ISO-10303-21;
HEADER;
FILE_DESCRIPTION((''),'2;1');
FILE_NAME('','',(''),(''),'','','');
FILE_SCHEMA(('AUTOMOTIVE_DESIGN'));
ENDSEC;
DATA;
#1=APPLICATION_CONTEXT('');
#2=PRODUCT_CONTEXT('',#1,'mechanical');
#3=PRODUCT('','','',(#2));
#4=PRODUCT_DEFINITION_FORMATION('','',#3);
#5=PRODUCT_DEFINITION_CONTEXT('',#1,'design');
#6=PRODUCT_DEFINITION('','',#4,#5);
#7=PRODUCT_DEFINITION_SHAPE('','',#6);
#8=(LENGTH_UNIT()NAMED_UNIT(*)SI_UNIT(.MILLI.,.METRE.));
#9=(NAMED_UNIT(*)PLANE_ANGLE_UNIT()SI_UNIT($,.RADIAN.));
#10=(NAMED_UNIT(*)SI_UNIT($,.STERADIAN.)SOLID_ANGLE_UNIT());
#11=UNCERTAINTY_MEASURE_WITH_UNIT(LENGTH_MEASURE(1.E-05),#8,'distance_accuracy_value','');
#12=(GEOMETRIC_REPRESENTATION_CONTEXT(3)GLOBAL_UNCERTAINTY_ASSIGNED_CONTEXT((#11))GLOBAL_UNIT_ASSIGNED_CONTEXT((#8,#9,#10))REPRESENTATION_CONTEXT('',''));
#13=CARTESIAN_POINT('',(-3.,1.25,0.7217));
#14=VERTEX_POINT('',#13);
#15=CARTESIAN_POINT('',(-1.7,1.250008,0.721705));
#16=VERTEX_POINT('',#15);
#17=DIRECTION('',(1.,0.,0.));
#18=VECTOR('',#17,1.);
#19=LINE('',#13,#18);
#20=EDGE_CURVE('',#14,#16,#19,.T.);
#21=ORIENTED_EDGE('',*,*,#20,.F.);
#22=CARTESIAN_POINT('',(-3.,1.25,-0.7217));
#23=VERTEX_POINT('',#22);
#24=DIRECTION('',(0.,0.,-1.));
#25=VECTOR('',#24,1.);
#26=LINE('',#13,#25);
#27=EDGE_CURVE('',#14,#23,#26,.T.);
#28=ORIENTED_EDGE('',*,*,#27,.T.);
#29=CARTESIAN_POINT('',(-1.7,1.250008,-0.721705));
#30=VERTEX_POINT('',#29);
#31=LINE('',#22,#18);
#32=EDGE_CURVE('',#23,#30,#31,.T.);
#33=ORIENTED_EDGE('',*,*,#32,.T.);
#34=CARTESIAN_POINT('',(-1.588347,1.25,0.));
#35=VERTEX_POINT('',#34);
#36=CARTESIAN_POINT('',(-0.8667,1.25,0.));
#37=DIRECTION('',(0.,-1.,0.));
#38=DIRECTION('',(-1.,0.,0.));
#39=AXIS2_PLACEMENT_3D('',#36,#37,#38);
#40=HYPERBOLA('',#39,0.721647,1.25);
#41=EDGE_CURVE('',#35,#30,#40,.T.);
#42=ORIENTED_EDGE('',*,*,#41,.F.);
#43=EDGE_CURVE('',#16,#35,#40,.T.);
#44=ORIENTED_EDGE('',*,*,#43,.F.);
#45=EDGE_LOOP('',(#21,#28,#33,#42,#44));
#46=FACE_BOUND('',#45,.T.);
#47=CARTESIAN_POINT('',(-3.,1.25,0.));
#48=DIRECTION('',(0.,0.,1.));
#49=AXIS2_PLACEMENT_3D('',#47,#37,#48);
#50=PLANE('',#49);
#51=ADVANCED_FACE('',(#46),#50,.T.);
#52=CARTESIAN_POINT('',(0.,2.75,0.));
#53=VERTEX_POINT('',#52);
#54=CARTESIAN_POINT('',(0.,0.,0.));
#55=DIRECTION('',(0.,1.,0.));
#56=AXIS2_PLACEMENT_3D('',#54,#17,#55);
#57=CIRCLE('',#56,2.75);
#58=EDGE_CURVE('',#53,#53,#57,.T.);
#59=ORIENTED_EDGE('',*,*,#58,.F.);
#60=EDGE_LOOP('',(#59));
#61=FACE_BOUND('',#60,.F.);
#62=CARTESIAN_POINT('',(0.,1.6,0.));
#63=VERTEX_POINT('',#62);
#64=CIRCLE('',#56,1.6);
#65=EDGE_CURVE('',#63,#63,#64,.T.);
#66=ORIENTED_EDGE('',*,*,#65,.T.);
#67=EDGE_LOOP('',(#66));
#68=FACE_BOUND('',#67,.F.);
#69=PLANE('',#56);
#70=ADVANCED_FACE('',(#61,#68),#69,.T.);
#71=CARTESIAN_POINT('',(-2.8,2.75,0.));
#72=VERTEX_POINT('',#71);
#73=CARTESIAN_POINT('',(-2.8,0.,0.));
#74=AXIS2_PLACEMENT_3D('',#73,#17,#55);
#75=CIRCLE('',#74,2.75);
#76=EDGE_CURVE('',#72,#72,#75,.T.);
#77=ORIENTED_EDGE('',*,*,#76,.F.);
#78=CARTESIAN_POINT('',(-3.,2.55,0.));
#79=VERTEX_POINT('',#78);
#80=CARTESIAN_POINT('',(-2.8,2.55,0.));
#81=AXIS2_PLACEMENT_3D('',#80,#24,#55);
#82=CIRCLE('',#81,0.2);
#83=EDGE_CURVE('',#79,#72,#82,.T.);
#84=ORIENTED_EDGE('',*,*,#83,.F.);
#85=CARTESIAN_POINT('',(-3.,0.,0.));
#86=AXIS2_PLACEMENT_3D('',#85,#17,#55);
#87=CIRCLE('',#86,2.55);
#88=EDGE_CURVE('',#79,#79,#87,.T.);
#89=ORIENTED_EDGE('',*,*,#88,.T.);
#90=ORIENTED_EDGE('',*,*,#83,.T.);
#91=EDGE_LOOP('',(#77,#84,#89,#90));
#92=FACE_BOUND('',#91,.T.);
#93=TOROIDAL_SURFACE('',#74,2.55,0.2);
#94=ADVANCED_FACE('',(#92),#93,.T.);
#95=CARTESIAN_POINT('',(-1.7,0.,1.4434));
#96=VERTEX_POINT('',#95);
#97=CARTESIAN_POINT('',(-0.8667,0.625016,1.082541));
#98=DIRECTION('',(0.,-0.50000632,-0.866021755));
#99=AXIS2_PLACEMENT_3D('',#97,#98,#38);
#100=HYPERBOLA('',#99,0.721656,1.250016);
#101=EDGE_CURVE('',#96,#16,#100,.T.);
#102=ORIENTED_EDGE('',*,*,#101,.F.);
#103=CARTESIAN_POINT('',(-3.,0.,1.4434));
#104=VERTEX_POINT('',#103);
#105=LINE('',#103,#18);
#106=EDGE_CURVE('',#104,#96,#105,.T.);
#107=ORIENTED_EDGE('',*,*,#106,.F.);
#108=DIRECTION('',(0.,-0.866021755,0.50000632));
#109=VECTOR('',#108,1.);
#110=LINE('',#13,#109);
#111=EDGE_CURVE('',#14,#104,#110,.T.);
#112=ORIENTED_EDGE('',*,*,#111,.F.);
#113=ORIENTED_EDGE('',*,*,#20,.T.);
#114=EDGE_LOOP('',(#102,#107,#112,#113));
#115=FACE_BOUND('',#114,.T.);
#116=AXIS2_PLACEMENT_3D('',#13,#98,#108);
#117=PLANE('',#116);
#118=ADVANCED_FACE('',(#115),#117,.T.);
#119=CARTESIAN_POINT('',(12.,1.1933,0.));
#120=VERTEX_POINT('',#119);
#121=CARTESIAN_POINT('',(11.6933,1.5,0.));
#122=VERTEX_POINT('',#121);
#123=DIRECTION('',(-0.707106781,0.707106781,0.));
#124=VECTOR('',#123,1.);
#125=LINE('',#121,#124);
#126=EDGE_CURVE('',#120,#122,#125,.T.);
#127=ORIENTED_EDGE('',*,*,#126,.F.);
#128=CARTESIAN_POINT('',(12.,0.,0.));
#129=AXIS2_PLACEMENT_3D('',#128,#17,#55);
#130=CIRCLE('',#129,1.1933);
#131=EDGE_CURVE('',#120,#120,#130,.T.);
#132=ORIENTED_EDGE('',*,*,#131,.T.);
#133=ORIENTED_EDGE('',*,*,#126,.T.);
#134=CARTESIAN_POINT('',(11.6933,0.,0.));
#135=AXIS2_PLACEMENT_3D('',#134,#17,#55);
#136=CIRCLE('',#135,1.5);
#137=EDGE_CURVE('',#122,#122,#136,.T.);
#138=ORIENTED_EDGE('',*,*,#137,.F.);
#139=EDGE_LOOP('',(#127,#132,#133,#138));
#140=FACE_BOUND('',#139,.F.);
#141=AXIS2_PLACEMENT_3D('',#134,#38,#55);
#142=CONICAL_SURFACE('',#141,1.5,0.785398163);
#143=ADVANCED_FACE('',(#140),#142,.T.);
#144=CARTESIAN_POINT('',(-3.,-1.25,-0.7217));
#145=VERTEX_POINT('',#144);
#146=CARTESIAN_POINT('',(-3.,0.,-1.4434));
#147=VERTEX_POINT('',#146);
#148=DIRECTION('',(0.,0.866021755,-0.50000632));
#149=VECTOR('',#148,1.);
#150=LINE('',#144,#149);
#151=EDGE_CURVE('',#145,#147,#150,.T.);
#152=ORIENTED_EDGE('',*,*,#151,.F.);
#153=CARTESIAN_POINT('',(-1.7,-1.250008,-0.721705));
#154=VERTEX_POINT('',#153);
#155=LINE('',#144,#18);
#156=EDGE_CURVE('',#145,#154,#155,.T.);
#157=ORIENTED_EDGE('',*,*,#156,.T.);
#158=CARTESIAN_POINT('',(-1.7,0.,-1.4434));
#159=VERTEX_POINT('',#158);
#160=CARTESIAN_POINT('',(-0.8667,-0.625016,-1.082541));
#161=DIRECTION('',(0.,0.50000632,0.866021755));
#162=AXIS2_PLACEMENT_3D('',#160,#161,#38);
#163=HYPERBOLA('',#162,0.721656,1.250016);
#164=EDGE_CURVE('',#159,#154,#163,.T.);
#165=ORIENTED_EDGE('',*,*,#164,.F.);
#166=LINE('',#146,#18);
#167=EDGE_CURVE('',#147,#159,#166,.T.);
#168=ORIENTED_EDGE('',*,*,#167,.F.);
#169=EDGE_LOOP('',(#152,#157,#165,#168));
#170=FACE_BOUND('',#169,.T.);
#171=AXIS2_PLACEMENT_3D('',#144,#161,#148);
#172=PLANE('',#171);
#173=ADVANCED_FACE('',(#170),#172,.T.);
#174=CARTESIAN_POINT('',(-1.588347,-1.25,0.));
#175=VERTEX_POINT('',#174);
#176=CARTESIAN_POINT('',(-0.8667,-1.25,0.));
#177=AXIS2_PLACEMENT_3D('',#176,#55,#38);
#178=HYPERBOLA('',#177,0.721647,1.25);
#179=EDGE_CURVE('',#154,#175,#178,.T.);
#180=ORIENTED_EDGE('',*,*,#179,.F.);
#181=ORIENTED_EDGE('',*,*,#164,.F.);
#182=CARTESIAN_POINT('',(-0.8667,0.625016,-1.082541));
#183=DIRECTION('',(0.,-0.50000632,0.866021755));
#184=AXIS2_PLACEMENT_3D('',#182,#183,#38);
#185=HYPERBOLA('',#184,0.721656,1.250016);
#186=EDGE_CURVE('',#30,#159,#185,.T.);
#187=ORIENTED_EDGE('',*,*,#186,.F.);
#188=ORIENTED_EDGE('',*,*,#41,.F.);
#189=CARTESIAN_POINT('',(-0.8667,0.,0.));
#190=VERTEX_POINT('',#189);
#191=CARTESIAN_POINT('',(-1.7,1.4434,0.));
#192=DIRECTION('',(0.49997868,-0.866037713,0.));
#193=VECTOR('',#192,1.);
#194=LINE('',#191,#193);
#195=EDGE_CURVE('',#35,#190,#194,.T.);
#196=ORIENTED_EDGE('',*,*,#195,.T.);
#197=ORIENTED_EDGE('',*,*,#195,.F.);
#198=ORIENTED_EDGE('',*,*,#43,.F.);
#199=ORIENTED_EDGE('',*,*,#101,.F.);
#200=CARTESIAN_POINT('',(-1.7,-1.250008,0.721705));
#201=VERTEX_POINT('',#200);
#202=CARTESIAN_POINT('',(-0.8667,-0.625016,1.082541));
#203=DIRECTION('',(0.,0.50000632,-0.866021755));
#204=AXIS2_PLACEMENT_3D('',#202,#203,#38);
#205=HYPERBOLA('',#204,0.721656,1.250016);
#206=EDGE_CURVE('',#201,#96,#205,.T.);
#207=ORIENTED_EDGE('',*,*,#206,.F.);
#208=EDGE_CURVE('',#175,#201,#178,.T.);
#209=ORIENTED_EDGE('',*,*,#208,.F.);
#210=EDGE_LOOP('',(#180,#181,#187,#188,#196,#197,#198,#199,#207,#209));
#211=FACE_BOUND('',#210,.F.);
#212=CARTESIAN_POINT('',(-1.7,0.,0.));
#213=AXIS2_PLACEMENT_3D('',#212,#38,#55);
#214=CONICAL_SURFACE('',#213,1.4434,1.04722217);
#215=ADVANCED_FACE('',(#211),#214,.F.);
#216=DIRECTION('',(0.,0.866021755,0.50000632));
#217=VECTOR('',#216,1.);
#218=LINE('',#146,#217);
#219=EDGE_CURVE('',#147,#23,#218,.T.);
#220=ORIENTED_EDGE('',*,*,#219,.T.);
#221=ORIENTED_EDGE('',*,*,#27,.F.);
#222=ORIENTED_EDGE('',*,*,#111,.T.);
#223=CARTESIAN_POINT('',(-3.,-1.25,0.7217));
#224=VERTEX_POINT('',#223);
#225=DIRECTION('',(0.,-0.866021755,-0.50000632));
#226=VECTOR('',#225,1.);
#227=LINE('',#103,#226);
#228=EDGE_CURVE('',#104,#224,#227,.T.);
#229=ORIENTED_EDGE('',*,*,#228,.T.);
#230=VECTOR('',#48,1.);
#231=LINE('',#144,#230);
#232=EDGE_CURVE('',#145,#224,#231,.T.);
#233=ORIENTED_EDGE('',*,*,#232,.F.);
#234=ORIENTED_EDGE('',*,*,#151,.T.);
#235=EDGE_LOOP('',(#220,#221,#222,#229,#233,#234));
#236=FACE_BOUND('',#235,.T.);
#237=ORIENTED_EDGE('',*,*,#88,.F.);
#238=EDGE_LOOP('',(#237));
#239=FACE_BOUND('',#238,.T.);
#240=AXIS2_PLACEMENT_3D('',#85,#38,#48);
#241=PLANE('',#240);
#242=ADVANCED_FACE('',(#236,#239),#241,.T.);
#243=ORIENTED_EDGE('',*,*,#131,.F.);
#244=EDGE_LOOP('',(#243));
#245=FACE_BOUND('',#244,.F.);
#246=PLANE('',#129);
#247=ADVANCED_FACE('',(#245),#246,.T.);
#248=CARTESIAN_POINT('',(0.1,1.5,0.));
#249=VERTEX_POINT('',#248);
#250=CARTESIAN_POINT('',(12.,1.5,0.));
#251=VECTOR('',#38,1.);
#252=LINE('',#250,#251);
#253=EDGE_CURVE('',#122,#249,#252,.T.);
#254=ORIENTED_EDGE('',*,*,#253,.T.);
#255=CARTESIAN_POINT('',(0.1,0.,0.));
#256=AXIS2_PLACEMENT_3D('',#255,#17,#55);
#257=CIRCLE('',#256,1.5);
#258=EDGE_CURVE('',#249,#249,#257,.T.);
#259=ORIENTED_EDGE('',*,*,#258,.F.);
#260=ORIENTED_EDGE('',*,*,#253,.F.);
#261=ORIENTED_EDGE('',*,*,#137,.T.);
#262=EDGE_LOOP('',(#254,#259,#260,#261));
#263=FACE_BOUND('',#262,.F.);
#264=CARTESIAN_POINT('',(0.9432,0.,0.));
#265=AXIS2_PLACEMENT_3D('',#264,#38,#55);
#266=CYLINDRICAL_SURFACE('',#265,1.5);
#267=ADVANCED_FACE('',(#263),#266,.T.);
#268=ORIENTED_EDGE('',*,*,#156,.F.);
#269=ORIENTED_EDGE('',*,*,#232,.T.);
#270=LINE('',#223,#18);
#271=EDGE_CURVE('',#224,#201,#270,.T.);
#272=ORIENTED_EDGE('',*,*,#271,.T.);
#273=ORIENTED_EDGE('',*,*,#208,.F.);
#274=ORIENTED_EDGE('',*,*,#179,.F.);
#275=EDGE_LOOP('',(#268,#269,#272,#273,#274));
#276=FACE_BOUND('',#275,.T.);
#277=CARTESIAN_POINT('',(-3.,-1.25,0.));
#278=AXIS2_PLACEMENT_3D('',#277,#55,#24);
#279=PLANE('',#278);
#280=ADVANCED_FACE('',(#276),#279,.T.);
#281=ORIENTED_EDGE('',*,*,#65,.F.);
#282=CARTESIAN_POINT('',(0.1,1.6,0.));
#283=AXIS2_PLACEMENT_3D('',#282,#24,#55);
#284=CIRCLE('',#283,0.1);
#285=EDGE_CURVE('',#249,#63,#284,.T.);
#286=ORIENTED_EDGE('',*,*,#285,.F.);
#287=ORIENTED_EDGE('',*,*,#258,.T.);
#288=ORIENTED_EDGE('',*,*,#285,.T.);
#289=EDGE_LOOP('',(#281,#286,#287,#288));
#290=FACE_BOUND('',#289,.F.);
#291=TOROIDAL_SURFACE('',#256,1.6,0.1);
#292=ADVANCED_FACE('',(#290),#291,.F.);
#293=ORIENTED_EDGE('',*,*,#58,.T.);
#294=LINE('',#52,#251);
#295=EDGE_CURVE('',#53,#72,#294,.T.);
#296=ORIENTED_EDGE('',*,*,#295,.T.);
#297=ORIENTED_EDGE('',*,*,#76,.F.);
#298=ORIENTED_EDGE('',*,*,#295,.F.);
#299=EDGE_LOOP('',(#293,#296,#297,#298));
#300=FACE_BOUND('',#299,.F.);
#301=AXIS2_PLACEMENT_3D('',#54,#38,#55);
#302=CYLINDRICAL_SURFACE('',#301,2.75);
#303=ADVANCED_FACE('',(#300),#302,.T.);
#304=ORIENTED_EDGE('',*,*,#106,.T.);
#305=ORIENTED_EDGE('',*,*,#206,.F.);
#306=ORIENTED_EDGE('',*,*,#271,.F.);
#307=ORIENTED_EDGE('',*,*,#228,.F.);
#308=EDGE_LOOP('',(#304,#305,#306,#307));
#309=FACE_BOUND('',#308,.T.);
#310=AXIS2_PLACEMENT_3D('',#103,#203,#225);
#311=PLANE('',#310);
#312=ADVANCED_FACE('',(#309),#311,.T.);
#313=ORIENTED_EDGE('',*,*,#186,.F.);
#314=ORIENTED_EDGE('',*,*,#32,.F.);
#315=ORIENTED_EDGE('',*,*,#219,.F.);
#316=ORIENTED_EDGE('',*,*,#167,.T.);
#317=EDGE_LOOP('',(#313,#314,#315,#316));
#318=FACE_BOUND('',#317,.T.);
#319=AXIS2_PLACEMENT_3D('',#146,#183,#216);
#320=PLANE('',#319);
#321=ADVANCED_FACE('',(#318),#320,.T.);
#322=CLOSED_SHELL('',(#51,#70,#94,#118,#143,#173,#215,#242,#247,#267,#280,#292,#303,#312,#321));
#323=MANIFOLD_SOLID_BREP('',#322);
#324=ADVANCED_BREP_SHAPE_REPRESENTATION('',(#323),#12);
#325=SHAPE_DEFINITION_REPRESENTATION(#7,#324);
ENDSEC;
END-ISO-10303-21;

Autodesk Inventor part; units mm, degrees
ref_plane "YZ Plane" through (0, 0, 0) normal (1, 0, 0) x (0, 1, 0)
ref_plane "XZ Plane" through (0, 0, 0) normal (0, 1, 0) x (-1, 0, 0)
sketch "Szkic1" plane through (0, 0, 0) normal (0, 0, 1) x (1, 0, 0)
  line L0 (-0.8667, 0) -> (12, 0)
  line L1 (12, 0) -> (12, 1.5)
  line L2 (12, 1.5) -> (1.25, 1.5)
  line L3 (1.25, 1.5) -> (0.9432, 1.5)
  line L4 (0.9432, 1.5) -> (0, 1.5)
  line L5 (0, 1.5) -> (0, 2.75)
  line L6 (0, 2.75) -> (-3, 2.75)
  line L7 (-3, 2.75) -> (-3, 1.4434)
  line L8 (-3, 1.4434) -> (-1.7, 1.4434)
  line L9 (-1.7, 1.4434) -> (-0.8667, 0)
  line L10 (-6, 0) -> (15, 0) projected
  line L11 (0, -0.55) -> (0, 3.3) projected
  line L12 (1.25, 1.5) -> (0, 1.5) construction
  dimension "d1" = 10.75
  dimension "d2" = 0.3068
  dimension "d3" = 3
  dimension "d4" = 1.3
  dimension "d5" = 60
  dimension "d6" = 3
  dimension "d7" = 3
  dimension "d8" = 2.8868
  dimension "d9" = 5.5
  dimension "d26" = 12
revolve "Bryła" add sketch "Szkic1" angle 360 about axis through (-0.8667, 0, 0) along (1, 0, 0)
sketch "Szkic2" plane through (-3, 0, 0) normal (-1, 0, 0) x (0, 0, 1)
  circle A0 centre (0, 0) radius 1.4434 projected
  line L0 (0, -3.85) -> (0, 3.85) projected
  line L1 (-3.85, 0) -> (3.85, 0) projected
  line L2 (1.4434, 0) -> (0.7217, -1.25)
  line L3 (0.7217, -1.25) -> (-0.7217, -1.25)
  line L4 (-0.7217, -1.25) -> (-1.4434, 0)
  line L5 (-1.4434, 0) -> (-0.7217, 1.25)
  line L6 (-0.7217, 1.25) -> (0.7217, 1.25)
  line L7 (0.7217, 1.25) -> (1.4434, 0)
  point P0 (0, 0)
extrude "Szczelina" add sketch "Szkic2" against normal up to next contours L7 A0 | A0 L2 | L6 L0 A0 | A0 L0 L3 | L0 L6 A0 | A0 L3 L0 | L4 A0 | A0 L5
fillet "Zaokrąglenie1" radius 0.2 1 edges at (-3, -2.75, 0)
thread "Gwint" size "M3x0.5" class "6g" standard "ISO Metric profile" length 10.75
chamfer "Faza1" distance 0.3067 distance2 0.3067 1 edges at (12, -1.5, 0) measured on face at (12, -0.6587, -0.1791)
ref_plane "Work Plane1" through (29, 0, 0) normal (0, -1, 0) x (1, 0, 0)
fillet "Fillet2" radius 0.1 1 edges at (0, -1.5, 0)
equation "\"d1\" = GEL"
equation "\"d3\" = KOH"
equation "\"d4\" = INTI"
equation "\"d6\" = GD"
equation "\"d7\" = BDM"
equation "\"d8\" = 1.1547 * SW"
equation "\"d9\" = KOD"
equation "\"d26\" = NLG"
equation "\"d30\" = R"
equation "\"d17\" = RR"
equation "\"d13\" = GEL"
equation "\"d15\" = -0.5 * SPD + 0.5 * GD"
equation "\"d16\" = GUL"
equation "\"GD\" = NND"
equation "\"NLG\" = 12"
equation "\"GEL\" = 10.75"
equation "\"KOD\" = 5.5"
equation "\"KOH\" = NND"
equation "\"INTI\" = 1.3"
equation "\"GAL\" = 0.61345 * PTC"
equation "\"GUL\" = 0.61345 * PTC"
equation "\"BDM\" = NND"
equation "\"SW\" = 2.5"
equation "\"RR\" = 0.2"
equation "\"SPD\" = NND - 1.2269 * PTC"
equation "\"R\" = 0.1"
equation "\"TOA\" = 30deg"
equation "\"GD1\" = THREADDIA - 1.2269 * PTC"
equation "\"THREADDIA\" = 3"
equation "\"FAWI\" = 45deg"
equation "\"PTC\" = 0.5"
equation "\"NND\" = 3"
equation "\"E0\" = 1.155 * SW"
properties part number "CNS 3932 - M 3 x 12" material "Stal, miękka"
